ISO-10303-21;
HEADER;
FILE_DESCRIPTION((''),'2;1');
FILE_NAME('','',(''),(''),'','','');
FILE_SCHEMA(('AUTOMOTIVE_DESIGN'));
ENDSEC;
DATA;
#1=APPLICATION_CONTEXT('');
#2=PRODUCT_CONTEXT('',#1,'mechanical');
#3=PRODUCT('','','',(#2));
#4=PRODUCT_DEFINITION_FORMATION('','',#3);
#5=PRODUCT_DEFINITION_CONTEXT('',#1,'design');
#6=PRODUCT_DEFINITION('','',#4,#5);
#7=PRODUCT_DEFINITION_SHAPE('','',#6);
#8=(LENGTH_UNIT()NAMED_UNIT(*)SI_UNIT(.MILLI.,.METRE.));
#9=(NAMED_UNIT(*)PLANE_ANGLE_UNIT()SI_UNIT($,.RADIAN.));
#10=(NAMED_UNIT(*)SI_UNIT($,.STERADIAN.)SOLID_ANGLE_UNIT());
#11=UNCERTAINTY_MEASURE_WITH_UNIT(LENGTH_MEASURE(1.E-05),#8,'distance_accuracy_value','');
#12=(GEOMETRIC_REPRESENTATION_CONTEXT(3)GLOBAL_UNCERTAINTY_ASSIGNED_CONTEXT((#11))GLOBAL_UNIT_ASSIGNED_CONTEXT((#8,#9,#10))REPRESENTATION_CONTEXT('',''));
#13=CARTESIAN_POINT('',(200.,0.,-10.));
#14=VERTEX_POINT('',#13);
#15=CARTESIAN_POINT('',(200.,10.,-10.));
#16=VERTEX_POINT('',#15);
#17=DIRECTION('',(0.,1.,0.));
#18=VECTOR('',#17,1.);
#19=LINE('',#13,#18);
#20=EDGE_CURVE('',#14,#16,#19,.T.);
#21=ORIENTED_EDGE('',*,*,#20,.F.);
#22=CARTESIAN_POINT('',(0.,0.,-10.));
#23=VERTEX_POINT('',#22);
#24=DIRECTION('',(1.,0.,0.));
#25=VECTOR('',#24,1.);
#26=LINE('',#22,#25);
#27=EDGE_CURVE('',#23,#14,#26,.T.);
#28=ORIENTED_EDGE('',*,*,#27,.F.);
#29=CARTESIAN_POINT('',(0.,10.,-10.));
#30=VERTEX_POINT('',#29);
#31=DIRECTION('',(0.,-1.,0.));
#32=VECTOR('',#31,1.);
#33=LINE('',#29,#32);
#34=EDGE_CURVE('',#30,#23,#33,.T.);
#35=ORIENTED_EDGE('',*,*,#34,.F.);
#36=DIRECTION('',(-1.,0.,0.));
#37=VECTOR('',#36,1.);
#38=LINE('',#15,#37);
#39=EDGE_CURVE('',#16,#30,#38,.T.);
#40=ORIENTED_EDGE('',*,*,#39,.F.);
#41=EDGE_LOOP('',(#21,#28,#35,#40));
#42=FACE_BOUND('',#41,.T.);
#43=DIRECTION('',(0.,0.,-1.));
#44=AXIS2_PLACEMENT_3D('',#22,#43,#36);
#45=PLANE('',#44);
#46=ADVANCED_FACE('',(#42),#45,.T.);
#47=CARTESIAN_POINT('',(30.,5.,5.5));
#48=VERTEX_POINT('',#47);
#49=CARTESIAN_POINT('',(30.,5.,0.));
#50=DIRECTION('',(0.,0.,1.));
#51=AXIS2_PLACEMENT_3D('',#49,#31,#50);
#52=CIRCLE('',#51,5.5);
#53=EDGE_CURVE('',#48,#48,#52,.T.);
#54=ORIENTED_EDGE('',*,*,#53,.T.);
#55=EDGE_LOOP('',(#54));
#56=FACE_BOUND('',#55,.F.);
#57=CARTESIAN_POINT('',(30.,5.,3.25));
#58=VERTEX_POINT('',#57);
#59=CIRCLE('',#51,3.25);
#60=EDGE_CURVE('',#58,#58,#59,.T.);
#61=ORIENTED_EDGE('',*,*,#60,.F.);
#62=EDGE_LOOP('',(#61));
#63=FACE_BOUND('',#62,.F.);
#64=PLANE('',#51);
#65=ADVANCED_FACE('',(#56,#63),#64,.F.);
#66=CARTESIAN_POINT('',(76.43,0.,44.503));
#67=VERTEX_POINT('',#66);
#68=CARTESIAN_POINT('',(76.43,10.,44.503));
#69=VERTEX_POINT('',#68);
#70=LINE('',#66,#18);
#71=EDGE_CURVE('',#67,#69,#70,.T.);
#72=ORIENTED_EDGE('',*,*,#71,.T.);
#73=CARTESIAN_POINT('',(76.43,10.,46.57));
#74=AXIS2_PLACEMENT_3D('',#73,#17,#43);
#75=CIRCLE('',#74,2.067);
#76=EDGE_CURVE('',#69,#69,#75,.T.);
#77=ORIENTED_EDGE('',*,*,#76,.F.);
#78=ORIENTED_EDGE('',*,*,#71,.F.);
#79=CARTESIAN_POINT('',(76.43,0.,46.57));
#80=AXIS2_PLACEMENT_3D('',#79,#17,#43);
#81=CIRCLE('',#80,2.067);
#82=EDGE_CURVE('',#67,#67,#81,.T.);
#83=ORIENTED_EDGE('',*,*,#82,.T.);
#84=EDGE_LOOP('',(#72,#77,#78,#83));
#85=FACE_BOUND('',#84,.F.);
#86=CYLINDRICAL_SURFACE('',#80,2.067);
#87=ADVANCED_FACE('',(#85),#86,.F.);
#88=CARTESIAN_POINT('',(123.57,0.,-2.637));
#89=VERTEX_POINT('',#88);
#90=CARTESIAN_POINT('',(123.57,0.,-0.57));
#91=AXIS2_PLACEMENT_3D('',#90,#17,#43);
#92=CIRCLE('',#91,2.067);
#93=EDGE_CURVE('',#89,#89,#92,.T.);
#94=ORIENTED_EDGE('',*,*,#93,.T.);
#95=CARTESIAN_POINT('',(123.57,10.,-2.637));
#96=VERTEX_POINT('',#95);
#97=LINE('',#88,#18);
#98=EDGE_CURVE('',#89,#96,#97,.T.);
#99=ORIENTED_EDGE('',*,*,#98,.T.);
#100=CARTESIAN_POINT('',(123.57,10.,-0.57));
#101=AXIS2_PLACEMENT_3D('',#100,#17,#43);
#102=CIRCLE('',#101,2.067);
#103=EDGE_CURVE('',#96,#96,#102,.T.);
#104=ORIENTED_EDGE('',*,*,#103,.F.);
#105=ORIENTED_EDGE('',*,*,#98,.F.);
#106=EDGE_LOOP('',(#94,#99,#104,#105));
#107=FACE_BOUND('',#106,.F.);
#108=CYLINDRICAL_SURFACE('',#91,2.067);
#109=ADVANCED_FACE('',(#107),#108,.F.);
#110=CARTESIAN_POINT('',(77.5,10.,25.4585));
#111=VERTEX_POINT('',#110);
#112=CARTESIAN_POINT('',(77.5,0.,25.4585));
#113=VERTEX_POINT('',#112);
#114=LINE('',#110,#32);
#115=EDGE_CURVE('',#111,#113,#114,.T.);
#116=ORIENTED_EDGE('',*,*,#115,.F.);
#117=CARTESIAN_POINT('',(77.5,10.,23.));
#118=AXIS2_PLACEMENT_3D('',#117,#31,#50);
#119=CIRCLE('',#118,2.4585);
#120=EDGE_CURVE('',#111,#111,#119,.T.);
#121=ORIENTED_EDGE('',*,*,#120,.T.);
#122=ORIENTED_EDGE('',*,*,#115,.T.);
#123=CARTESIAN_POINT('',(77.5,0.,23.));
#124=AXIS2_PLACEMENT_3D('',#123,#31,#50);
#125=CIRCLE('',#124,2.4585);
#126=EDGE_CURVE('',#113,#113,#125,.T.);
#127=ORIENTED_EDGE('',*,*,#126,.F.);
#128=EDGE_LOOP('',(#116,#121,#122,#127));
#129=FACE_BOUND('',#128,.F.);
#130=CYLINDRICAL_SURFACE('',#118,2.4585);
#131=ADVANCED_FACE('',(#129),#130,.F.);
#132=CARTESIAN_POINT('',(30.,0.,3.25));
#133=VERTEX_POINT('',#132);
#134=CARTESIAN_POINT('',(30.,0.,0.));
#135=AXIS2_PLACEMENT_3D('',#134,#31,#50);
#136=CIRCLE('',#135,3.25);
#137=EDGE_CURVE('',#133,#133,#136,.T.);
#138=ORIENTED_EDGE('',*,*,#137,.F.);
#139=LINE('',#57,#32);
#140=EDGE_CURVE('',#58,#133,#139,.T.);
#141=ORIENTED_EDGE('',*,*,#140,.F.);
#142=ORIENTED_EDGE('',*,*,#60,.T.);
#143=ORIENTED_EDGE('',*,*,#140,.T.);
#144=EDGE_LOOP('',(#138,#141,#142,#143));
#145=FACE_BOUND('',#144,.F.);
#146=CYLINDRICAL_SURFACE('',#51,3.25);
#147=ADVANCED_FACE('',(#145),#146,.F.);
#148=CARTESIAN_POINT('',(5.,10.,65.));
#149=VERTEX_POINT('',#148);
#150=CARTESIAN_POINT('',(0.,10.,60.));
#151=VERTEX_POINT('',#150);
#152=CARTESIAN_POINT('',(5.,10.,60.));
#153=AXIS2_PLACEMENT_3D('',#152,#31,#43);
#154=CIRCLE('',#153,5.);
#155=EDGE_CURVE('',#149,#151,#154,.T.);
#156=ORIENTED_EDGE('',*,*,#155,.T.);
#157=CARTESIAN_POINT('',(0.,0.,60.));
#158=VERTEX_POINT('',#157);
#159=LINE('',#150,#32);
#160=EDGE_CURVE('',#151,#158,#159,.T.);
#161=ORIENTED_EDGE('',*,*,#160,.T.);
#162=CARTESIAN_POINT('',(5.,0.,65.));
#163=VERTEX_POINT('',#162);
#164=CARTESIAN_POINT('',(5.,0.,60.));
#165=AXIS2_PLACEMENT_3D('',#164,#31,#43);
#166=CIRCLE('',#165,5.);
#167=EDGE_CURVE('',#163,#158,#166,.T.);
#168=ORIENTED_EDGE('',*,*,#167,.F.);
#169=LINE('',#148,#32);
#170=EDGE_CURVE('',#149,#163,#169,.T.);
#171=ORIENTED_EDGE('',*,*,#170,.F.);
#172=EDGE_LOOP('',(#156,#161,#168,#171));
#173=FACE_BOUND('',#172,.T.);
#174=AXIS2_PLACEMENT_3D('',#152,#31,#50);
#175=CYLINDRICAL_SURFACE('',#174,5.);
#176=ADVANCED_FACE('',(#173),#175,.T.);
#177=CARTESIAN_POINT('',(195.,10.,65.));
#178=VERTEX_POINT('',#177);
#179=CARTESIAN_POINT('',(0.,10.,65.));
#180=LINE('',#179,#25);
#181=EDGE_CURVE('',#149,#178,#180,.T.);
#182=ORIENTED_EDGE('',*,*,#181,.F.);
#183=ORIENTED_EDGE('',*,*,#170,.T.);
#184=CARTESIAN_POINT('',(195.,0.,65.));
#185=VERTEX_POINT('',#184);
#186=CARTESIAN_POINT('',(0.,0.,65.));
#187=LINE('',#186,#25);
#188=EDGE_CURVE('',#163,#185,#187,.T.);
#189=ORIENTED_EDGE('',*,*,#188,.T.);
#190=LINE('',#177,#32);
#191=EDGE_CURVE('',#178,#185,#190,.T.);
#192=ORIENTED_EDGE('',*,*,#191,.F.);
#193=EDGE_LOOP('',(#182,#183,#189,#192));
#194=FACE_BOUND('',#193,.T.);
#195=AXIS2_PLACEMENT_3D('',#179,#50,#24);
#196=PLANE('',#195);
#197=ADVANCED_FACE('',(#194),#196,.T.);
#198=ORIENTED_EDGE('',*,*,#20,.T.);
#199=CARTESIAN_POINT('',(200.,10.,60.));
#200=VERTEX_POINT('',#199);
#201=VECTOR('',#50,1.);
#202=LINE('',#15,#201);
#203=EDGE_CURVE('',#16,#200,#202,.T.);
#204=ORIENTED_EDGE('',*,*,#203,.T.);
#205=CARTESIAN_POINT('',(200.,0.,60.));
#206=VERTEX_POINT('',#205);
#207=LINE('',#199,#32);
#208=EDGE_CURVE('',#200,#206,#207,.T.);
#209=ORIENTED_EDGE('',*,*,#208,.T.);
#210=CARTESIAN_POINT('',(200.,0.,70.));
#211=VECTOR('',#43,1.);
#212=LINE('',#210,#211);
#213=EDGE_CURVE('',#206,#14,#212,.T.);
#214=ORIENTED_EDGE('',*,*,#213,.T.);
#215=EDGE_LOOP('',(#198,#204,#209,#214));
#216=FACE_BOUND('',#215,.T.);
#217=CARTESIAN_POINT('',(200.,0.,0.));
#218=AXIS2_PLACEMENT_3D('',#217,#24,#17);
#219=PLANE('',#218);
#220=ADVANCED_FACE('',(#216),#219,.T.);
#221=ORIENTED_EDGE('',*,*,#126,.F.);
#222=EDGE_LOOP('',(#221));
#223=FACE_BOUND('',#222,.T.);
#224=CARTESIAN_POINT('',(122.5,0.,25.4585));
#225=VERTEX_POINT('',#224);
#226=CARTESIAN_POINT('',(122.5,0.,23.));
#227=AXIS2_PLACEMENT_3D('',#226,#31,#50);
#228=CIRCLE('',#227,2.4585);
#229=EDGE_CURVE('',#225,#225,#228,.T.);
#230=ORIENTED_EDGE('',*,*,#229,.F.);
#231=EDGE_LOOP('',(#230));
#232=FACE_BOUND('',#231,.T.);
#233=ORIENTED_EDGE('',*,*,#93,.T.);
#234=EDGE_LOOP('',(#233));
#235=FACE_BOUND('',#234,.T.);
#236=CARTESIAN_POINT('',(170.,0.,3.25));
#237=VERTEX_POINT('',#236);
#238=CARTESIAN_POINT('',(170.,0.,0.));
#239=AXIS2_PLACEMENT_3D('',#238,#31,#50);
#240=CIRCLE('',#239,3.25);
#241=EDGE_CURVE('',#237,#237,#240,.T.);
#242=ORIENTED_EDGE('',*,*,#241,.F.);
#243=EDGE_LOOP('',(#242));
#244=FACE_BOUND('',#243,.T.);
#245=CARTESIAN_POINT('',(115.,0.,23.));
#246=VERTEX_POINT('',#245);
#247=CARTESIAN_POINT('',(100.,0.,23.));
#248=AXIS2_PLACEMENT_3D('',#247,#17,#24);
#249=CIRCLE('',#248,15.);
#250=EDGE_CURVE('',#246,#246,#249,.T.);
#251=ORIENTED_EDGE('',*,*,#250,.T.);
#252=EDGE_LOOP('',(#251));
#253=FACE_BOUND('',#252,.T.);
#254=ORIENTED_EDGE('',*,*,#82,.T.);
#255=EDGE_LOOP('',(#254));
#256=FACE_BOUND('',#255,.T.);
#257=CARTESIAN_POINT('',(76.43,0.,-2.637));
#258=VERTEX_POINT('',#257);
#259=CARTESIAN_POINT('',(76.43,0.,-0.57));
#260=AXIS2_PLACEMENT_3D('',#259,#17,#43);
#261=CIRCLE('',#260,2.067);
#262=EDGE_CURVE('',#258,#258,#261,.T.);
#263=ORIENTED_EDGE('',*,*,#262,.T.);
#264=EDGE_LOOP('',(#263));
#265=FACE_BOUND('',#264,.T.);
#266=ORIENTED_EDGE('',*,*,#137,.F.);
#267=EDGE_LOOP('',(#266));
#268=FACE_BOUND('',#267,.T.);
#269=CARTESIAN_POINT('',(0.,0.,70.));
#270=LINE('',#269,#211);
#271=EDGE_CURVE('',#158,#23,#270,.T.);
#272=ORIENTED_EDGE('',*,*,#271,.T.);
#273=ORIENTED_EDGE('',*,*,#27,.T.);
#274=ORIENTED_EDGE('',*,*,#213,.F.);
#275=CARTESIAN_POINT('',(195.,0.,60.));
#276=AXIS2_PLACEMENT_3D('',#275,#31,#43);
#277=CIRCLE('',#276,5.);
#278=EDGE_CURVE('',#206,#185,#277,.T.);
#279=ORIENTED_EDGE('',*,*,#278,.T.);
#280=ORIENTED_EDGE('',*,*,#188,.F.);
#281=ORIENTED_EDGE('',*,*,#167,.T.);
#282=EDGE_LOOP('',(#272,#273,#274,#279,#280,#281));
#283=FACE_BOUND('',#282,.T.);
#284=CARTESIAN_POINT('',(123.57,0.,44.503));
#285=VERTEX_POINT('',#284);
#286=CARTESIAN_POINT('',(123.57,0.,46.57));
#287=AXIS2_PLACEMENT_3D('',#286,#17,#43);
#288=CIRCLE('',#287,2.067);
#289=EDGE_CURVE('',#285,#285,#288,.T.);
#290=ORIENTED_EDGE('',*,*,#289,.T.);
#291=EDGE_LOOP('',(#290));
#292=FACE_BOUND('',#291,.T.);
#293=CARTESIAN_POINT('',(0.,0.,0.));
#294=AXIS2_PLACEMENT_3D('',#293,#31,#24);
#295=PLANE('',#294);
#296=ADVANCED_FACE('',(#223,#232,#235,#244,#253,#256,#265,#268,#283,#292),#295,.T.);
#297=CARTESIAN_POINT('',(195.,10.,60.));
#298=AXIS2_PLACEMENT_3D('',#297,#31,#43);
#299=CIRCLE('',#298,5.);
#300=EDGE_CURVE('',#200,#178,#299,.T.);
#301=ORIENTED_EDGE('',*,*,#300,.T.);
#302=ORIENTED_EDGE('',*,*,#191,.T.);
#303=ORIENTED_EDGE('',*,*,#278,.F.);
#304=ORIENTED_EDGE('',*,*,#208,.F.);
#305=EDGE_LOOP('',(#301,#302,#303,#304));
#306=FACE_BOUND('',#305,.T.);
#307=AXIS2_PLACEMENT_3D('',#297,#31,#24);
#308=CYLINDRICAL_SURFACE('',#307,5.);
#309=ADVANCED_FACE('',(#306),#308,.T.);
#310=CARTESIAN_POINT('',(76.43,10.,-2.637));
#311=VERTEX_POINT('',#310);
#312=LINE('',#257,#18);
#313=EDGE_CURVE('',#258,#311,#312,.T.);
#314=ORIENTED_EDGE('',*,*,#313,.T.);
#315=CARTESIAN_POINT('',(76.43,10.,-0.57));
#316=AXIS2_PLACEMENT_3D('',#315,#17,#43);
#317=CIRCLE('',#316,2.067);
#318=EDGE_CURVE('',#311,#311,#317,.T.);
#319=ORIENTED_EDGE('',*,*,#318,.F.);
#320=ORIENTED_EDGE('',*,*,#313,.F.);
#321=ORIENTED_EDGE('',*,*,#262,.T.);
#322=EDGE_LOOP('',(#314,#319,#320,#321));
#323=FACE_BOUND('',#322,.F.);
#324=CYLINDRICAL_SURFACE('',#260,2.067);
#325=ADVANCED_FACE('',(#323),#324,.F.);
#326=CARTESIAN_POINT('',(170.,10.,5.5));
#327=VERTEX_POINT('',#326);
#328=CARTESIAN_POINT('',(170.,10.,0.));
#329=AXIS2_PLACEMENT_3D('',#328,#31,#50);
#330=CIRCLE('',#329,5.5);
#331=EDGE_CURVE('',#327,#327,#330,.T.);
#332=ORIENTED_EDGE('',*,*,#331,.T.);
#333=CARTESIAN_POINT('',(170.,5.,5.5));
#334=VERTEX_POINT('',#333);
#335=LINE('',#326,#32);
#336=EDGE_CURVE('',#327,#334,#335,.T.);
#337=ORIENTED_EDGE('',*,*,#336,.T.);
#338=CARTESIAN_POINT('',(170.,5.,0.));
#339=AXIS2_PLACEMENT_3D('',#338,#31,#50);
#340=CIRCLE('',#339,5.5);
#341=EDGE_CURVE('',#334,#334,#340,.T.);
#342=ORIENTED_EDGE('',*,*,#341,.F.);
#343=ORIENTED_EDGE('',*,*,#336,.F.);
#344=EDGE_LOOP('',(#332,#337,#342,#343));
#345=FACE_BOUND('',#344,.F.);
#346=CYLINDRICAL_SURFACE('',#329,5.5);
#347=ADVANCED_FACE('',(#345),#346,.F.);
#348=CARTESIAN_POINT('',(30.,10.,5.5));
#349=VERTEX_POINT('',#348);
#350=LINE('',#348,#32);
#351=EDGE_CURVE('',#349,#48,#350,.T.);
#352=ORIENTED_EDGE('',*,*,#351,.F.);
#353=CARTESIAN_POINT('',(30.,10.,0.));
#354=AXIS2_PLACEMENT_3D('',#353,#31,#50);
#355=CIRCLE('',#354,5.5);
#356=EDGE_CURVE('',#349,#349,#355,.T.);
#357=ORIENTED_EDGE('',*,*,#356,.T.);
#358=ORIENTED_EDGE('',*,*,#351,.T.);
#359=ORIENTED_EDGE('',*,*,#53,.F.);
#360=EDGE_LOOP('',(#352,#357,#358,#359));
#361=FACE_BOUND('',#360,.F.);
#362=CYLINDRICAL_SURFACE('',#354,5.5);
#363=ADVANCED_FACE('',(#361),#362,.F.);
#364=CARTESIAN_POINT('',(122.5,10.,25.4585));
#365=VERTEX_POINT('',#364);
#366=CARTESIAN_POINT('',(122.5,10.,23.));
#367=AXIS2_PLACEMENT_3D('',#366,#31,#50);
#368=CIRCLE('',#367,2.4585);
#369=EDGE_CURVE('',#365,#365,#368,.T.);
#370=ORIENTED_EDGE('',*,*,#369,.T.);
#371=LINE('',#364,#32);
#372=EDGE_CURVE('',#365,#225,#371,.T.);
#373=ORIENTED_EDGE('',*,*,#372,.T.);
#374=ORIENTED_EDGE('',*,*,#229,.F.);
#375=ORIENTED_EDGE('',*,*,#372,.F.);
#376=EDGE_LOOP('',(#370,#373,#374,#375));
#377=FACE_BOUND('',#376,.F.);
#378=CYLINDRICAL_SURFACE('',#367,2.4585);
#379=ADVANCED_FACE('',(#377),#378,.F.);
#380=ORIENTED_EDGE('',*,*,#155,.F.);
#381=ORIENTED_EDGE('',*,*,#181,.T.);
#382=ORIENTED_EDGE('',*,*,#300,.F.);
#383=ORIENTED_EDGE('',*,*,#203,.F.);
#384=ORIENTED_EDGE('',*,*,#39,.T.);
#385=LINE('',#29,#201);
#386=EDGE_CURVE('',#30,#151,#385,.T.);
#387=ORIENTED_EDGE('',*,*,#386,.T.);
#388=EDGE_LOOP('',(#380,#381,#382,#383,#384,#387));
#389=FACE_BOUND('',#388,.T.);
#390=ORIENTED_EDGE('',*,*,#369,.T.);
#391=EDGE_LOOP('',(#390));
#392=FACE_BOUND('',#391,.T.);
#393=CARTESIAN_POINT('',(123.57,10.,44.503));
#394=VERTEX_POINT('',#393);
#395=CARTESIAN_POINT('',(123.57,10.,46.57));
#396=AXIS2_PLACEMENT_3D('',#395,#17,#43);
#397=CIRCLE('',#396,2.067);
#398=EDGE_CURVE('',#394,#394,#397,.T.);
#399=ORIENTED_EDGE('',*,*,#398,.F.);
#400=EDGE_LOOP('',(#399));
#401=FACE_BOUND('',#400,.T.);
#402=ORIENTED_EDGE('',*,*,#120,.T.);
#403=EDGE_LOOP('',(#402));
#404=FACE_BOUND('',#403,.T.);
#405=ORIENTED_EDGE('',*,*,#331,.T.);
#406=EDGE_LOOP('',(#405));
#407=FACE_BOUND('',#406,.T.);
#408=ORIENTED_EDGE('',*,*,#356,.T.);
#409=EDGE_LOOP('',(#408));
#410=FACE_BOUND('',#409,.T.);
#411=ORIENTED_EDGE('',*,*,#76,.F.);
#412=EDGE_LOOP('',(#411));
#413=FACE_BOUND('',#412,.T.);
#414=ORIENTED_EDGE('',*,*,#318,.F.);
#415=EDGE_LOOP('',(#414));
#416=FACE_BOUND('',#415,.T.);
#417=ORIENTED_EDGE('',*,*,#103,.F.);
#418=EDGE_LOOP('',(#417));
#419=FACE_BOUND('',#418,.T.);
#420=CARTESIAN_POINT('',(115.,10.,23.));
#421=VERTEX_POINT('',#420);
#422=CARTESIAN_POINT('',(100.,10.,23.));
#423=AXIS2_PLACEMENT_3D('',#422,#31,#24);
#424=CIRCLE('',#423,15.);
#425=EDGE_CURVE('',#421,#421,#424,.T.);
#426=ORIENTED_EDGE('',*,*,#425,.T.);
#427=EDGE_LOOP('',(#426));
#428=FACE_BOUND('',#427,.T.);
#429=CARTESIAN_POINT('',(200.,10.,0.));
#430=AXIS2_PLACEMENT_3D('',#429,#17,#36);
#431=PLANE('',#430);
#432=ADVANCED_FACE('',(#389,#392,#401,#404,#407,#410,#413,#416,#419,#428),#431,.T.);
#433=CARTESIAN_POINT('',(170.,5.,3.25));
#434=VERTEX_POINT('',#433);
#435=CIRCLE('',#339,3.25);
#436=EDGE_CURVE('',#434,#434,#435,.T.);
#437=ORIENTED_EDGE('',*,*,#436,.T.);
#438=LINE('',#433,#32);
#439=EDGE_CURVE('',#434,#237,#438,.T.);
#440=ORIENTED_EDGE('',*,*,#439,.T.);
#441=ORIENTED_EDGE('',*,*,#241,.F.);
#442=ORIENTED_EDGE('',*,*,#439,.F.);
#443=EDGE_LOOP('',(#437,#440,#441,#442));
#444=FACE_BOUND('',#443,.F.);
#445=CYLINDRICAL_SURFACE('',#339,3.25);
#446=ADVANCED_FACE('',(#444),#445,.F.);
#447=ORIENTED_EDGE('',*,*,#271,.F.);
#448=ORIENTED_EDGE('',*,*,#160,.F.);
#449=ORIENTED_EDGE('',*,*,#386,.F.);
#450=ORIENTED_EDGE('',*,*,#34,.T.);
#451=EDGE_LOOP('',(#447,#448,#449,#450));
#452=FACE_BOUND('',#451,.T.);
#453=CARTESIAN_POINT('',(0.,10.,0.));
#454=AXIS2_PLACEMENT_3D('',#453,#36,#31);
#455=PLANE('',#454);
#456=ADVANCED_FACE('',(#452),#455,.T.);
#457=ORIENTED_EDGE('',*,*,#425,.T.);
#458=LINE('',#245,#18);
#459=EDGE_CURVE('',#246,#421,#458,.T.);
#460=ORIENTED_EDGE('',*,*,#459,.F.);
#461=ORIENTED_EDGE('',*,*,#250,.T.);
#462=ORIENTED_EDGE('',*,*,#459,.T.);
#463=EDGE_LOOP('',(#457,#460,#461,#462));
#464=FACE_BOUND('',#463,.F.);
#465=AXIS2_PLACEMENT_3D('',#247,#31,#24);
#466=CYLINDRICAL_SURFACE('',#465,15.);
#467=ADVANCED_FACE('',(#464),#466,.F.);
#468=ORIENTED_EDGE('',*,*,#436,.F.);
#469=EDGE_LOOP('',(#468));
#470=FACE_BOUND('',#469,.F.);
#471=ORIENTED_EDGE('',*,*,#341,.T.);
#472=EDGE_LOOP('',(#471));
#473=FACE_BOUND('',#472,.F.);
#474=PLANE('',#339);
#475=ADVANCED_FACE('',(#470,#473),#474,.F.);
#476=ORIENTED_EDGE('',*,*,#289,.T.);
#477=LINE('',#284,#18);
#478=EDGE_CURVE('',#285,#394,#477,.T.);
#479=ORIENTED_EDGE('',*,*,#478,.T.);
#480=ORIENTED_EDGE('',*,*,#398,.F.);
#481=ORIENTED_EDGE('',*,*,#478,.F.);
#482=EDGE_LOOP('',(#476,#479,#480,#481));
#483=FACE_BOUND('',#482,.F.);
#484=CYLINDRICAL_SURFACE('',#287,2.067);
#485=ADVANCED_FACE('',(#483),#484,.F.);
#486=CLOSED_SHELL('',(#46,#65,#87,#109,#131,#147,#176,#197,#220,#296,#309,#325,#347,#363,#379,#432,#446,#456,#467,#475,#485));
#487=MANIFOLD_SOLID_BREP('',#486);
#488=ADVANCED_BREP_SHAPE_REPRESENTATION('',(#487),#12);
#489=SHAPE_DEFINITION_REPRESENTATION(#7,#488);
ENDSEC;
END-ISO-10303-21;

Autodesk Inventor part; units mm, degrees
ref_plane "YZ Plane" through (0, 0, 0) normal (1, 0, 0) x (0, 1, 0)
ref_plane "XZ Plane" through (0, 0, 0) normal (0, 1, 0) x (-1, 0, 0)
ref_plane "XY Plane" through (0, 0, 0) normal (0, 0, 1) x (1, 0, 0)
sketch "Sketch1" plane through (0, 0, 0) normal (0, 0, 1) x (1, 0, 0)
  line L0 (0, 0) -> (200, 0)
  line L1 (200, 0) -> (200, 10)
  line L2 (200, 10) -> (0, 10)
  line L3 (0, 10) -> (0, 0)
  dimension "d0" = 200
  dimension "d1" = 10
extrude "Extrusion1" add sketch "Sketch1" along normal blind 70
sketch "Sketch3" plane through (0, 0, 0) normal (0, -1, 0) x (1, 0, 0)
  line L0 (200, 0) -> (200, 70) projected
  line L1 (200, 38) -> (0, 38)
  line L2 (0, 0) -> (0, 70) projected
  line L3 (0, 0) -> (200, 0) projected
  line L4 (200, 20) -> (0, 20)
  line L5 (100, 38) -> (100, 23)
  circle A0 centre (100, 23) radius 15
  circle A1 centre (76.43, -0.57) radius 2.5
  circle A2 centre (76.43, 46.57) radius 2.5
  circle A3 centre (123.57, 46.57) radius 2.5
  circle A4 centre (123.57, -0.57) radius 2.5
  dimension "d11" = 38
  dimension "d12" = 20
  dimension "d13" = 15
  dimension "d14" = 30
  dimension "d15" = 5
  dimension "d16" = 23.57
  dimension "d17" = 23.57
  dimension "d18" = 47.14
  dimension "d19" = 47.14
  dimension "d20" = 5
  dimension "d21" = 5
  dimension "d22" = 5
  dimension "d23" = 47.14
extrude "Extrusion2" cut sketch "Sketch3" against normal blind 10 contours A0 L4 | L4 A0
sketch "Sketch4" plane through (0, 10, 0) normal (0, 1, 0) x (1, 0, 0)
  line L0 (200, 0) -> (200, -70) projected
  line L1 (200, -23) -> (0, -23)
  line L2 (200, 0) -> (0, 0) projected
  circle A0 centre (122.5, -23) radius 3
  circle A1 centre (77.5, -23) radius 3
  point P0 (100, -23)
  dimension "d26" = 23
  dimension "d27" = 6
  dimension "d28" = 6
  dimension "d29" = 22.5
  dimension "d30" = 45
sketch "Sketch5" plane through (0, 0, 0) normal (0, 0, -1) x (-1, 0, 0)
  line L0 (-200, 0) -> (-200, 10) projected
  line L1 (0, 0) -> (-200, 0)
  line L2 (-200, 0) -> (-200, 10)
  line L3 (-200, 10) -> (0, 10)
  line L4 (0, 10) -> (0, 0)
extrude "Extrusion4" add sketch "Sketch5" along normal blind 10
sketch "Sketch6" plane through (0, 10, 70) normal (0, 1, 0) x (1, 0, 0)
  point P0 (0, 70)
sketch "Sketch7" plane through (0, 10, 70) normal (0, 1, 0) x (1, 0, 0)
  line L0 (200, 0) -> (0, 0) projected
  line L1 (0, 80) -> (0, 0) projected
  line L2 (200, 0) -> (0, 0)
  line L3 (0, 0) -> (0, 5)
  line L4 (0, 5) -> (200, 5)
  line L5 (200, 5) -> (200, 0)
  point P0 (0, 70)
  dimension "d47" = 5
extrude "Extrusion5" cut sketch "Sketch7" against normal blind 10
sketch "Sketch8" plane through (0, 10, -10) normal (0, 1, 0) x (1, 0, 0)
  line L0 (200, -20) -> (140, -20) projected
  line L1 (60, -10) -> (140, -10) projected
  line L2 (60, -20) -> (0, -20) projected
  point P0 (0, -10)
  point P1 (170, -10)
  point P2 (30, -10)
  point P3 (170, -20)
  point P4 (30, -20)
hole "Hole1" at (30, 10, 0) at (170, 10, 0) direction (0, -1, 0) diameter 6.5 end through all counterbore diameter 11 counterbore depth 5
hole "Hole2" at (77.5, 10, 23) at (122.5, 10, 23) direction (0, -1, 0) diameter 4.917 end through all thread size "M6x1" class "6H" standard "ISO Metric profile"
sketch "Sketch9" plane through (0, 10, -10) normal (0, 1, 0) x (1, 0, 0)
  point P0 (0, -10)
hole "Hole3" at (123.57, 0, 46.57) at (76.43, 0, 46.57) at (123.57, 0, -0.57) at (76.43, 0, -0.57) direction (0, 1, 0) diameter 4.134 end through all thread size "M5x0.8" class "6H" standard "ISO Metric profile"
fillet "Fillet1" radius 5 2 edges at (200, 5, 65) (0, 5, 65)
properties part number "Nap_tren"
